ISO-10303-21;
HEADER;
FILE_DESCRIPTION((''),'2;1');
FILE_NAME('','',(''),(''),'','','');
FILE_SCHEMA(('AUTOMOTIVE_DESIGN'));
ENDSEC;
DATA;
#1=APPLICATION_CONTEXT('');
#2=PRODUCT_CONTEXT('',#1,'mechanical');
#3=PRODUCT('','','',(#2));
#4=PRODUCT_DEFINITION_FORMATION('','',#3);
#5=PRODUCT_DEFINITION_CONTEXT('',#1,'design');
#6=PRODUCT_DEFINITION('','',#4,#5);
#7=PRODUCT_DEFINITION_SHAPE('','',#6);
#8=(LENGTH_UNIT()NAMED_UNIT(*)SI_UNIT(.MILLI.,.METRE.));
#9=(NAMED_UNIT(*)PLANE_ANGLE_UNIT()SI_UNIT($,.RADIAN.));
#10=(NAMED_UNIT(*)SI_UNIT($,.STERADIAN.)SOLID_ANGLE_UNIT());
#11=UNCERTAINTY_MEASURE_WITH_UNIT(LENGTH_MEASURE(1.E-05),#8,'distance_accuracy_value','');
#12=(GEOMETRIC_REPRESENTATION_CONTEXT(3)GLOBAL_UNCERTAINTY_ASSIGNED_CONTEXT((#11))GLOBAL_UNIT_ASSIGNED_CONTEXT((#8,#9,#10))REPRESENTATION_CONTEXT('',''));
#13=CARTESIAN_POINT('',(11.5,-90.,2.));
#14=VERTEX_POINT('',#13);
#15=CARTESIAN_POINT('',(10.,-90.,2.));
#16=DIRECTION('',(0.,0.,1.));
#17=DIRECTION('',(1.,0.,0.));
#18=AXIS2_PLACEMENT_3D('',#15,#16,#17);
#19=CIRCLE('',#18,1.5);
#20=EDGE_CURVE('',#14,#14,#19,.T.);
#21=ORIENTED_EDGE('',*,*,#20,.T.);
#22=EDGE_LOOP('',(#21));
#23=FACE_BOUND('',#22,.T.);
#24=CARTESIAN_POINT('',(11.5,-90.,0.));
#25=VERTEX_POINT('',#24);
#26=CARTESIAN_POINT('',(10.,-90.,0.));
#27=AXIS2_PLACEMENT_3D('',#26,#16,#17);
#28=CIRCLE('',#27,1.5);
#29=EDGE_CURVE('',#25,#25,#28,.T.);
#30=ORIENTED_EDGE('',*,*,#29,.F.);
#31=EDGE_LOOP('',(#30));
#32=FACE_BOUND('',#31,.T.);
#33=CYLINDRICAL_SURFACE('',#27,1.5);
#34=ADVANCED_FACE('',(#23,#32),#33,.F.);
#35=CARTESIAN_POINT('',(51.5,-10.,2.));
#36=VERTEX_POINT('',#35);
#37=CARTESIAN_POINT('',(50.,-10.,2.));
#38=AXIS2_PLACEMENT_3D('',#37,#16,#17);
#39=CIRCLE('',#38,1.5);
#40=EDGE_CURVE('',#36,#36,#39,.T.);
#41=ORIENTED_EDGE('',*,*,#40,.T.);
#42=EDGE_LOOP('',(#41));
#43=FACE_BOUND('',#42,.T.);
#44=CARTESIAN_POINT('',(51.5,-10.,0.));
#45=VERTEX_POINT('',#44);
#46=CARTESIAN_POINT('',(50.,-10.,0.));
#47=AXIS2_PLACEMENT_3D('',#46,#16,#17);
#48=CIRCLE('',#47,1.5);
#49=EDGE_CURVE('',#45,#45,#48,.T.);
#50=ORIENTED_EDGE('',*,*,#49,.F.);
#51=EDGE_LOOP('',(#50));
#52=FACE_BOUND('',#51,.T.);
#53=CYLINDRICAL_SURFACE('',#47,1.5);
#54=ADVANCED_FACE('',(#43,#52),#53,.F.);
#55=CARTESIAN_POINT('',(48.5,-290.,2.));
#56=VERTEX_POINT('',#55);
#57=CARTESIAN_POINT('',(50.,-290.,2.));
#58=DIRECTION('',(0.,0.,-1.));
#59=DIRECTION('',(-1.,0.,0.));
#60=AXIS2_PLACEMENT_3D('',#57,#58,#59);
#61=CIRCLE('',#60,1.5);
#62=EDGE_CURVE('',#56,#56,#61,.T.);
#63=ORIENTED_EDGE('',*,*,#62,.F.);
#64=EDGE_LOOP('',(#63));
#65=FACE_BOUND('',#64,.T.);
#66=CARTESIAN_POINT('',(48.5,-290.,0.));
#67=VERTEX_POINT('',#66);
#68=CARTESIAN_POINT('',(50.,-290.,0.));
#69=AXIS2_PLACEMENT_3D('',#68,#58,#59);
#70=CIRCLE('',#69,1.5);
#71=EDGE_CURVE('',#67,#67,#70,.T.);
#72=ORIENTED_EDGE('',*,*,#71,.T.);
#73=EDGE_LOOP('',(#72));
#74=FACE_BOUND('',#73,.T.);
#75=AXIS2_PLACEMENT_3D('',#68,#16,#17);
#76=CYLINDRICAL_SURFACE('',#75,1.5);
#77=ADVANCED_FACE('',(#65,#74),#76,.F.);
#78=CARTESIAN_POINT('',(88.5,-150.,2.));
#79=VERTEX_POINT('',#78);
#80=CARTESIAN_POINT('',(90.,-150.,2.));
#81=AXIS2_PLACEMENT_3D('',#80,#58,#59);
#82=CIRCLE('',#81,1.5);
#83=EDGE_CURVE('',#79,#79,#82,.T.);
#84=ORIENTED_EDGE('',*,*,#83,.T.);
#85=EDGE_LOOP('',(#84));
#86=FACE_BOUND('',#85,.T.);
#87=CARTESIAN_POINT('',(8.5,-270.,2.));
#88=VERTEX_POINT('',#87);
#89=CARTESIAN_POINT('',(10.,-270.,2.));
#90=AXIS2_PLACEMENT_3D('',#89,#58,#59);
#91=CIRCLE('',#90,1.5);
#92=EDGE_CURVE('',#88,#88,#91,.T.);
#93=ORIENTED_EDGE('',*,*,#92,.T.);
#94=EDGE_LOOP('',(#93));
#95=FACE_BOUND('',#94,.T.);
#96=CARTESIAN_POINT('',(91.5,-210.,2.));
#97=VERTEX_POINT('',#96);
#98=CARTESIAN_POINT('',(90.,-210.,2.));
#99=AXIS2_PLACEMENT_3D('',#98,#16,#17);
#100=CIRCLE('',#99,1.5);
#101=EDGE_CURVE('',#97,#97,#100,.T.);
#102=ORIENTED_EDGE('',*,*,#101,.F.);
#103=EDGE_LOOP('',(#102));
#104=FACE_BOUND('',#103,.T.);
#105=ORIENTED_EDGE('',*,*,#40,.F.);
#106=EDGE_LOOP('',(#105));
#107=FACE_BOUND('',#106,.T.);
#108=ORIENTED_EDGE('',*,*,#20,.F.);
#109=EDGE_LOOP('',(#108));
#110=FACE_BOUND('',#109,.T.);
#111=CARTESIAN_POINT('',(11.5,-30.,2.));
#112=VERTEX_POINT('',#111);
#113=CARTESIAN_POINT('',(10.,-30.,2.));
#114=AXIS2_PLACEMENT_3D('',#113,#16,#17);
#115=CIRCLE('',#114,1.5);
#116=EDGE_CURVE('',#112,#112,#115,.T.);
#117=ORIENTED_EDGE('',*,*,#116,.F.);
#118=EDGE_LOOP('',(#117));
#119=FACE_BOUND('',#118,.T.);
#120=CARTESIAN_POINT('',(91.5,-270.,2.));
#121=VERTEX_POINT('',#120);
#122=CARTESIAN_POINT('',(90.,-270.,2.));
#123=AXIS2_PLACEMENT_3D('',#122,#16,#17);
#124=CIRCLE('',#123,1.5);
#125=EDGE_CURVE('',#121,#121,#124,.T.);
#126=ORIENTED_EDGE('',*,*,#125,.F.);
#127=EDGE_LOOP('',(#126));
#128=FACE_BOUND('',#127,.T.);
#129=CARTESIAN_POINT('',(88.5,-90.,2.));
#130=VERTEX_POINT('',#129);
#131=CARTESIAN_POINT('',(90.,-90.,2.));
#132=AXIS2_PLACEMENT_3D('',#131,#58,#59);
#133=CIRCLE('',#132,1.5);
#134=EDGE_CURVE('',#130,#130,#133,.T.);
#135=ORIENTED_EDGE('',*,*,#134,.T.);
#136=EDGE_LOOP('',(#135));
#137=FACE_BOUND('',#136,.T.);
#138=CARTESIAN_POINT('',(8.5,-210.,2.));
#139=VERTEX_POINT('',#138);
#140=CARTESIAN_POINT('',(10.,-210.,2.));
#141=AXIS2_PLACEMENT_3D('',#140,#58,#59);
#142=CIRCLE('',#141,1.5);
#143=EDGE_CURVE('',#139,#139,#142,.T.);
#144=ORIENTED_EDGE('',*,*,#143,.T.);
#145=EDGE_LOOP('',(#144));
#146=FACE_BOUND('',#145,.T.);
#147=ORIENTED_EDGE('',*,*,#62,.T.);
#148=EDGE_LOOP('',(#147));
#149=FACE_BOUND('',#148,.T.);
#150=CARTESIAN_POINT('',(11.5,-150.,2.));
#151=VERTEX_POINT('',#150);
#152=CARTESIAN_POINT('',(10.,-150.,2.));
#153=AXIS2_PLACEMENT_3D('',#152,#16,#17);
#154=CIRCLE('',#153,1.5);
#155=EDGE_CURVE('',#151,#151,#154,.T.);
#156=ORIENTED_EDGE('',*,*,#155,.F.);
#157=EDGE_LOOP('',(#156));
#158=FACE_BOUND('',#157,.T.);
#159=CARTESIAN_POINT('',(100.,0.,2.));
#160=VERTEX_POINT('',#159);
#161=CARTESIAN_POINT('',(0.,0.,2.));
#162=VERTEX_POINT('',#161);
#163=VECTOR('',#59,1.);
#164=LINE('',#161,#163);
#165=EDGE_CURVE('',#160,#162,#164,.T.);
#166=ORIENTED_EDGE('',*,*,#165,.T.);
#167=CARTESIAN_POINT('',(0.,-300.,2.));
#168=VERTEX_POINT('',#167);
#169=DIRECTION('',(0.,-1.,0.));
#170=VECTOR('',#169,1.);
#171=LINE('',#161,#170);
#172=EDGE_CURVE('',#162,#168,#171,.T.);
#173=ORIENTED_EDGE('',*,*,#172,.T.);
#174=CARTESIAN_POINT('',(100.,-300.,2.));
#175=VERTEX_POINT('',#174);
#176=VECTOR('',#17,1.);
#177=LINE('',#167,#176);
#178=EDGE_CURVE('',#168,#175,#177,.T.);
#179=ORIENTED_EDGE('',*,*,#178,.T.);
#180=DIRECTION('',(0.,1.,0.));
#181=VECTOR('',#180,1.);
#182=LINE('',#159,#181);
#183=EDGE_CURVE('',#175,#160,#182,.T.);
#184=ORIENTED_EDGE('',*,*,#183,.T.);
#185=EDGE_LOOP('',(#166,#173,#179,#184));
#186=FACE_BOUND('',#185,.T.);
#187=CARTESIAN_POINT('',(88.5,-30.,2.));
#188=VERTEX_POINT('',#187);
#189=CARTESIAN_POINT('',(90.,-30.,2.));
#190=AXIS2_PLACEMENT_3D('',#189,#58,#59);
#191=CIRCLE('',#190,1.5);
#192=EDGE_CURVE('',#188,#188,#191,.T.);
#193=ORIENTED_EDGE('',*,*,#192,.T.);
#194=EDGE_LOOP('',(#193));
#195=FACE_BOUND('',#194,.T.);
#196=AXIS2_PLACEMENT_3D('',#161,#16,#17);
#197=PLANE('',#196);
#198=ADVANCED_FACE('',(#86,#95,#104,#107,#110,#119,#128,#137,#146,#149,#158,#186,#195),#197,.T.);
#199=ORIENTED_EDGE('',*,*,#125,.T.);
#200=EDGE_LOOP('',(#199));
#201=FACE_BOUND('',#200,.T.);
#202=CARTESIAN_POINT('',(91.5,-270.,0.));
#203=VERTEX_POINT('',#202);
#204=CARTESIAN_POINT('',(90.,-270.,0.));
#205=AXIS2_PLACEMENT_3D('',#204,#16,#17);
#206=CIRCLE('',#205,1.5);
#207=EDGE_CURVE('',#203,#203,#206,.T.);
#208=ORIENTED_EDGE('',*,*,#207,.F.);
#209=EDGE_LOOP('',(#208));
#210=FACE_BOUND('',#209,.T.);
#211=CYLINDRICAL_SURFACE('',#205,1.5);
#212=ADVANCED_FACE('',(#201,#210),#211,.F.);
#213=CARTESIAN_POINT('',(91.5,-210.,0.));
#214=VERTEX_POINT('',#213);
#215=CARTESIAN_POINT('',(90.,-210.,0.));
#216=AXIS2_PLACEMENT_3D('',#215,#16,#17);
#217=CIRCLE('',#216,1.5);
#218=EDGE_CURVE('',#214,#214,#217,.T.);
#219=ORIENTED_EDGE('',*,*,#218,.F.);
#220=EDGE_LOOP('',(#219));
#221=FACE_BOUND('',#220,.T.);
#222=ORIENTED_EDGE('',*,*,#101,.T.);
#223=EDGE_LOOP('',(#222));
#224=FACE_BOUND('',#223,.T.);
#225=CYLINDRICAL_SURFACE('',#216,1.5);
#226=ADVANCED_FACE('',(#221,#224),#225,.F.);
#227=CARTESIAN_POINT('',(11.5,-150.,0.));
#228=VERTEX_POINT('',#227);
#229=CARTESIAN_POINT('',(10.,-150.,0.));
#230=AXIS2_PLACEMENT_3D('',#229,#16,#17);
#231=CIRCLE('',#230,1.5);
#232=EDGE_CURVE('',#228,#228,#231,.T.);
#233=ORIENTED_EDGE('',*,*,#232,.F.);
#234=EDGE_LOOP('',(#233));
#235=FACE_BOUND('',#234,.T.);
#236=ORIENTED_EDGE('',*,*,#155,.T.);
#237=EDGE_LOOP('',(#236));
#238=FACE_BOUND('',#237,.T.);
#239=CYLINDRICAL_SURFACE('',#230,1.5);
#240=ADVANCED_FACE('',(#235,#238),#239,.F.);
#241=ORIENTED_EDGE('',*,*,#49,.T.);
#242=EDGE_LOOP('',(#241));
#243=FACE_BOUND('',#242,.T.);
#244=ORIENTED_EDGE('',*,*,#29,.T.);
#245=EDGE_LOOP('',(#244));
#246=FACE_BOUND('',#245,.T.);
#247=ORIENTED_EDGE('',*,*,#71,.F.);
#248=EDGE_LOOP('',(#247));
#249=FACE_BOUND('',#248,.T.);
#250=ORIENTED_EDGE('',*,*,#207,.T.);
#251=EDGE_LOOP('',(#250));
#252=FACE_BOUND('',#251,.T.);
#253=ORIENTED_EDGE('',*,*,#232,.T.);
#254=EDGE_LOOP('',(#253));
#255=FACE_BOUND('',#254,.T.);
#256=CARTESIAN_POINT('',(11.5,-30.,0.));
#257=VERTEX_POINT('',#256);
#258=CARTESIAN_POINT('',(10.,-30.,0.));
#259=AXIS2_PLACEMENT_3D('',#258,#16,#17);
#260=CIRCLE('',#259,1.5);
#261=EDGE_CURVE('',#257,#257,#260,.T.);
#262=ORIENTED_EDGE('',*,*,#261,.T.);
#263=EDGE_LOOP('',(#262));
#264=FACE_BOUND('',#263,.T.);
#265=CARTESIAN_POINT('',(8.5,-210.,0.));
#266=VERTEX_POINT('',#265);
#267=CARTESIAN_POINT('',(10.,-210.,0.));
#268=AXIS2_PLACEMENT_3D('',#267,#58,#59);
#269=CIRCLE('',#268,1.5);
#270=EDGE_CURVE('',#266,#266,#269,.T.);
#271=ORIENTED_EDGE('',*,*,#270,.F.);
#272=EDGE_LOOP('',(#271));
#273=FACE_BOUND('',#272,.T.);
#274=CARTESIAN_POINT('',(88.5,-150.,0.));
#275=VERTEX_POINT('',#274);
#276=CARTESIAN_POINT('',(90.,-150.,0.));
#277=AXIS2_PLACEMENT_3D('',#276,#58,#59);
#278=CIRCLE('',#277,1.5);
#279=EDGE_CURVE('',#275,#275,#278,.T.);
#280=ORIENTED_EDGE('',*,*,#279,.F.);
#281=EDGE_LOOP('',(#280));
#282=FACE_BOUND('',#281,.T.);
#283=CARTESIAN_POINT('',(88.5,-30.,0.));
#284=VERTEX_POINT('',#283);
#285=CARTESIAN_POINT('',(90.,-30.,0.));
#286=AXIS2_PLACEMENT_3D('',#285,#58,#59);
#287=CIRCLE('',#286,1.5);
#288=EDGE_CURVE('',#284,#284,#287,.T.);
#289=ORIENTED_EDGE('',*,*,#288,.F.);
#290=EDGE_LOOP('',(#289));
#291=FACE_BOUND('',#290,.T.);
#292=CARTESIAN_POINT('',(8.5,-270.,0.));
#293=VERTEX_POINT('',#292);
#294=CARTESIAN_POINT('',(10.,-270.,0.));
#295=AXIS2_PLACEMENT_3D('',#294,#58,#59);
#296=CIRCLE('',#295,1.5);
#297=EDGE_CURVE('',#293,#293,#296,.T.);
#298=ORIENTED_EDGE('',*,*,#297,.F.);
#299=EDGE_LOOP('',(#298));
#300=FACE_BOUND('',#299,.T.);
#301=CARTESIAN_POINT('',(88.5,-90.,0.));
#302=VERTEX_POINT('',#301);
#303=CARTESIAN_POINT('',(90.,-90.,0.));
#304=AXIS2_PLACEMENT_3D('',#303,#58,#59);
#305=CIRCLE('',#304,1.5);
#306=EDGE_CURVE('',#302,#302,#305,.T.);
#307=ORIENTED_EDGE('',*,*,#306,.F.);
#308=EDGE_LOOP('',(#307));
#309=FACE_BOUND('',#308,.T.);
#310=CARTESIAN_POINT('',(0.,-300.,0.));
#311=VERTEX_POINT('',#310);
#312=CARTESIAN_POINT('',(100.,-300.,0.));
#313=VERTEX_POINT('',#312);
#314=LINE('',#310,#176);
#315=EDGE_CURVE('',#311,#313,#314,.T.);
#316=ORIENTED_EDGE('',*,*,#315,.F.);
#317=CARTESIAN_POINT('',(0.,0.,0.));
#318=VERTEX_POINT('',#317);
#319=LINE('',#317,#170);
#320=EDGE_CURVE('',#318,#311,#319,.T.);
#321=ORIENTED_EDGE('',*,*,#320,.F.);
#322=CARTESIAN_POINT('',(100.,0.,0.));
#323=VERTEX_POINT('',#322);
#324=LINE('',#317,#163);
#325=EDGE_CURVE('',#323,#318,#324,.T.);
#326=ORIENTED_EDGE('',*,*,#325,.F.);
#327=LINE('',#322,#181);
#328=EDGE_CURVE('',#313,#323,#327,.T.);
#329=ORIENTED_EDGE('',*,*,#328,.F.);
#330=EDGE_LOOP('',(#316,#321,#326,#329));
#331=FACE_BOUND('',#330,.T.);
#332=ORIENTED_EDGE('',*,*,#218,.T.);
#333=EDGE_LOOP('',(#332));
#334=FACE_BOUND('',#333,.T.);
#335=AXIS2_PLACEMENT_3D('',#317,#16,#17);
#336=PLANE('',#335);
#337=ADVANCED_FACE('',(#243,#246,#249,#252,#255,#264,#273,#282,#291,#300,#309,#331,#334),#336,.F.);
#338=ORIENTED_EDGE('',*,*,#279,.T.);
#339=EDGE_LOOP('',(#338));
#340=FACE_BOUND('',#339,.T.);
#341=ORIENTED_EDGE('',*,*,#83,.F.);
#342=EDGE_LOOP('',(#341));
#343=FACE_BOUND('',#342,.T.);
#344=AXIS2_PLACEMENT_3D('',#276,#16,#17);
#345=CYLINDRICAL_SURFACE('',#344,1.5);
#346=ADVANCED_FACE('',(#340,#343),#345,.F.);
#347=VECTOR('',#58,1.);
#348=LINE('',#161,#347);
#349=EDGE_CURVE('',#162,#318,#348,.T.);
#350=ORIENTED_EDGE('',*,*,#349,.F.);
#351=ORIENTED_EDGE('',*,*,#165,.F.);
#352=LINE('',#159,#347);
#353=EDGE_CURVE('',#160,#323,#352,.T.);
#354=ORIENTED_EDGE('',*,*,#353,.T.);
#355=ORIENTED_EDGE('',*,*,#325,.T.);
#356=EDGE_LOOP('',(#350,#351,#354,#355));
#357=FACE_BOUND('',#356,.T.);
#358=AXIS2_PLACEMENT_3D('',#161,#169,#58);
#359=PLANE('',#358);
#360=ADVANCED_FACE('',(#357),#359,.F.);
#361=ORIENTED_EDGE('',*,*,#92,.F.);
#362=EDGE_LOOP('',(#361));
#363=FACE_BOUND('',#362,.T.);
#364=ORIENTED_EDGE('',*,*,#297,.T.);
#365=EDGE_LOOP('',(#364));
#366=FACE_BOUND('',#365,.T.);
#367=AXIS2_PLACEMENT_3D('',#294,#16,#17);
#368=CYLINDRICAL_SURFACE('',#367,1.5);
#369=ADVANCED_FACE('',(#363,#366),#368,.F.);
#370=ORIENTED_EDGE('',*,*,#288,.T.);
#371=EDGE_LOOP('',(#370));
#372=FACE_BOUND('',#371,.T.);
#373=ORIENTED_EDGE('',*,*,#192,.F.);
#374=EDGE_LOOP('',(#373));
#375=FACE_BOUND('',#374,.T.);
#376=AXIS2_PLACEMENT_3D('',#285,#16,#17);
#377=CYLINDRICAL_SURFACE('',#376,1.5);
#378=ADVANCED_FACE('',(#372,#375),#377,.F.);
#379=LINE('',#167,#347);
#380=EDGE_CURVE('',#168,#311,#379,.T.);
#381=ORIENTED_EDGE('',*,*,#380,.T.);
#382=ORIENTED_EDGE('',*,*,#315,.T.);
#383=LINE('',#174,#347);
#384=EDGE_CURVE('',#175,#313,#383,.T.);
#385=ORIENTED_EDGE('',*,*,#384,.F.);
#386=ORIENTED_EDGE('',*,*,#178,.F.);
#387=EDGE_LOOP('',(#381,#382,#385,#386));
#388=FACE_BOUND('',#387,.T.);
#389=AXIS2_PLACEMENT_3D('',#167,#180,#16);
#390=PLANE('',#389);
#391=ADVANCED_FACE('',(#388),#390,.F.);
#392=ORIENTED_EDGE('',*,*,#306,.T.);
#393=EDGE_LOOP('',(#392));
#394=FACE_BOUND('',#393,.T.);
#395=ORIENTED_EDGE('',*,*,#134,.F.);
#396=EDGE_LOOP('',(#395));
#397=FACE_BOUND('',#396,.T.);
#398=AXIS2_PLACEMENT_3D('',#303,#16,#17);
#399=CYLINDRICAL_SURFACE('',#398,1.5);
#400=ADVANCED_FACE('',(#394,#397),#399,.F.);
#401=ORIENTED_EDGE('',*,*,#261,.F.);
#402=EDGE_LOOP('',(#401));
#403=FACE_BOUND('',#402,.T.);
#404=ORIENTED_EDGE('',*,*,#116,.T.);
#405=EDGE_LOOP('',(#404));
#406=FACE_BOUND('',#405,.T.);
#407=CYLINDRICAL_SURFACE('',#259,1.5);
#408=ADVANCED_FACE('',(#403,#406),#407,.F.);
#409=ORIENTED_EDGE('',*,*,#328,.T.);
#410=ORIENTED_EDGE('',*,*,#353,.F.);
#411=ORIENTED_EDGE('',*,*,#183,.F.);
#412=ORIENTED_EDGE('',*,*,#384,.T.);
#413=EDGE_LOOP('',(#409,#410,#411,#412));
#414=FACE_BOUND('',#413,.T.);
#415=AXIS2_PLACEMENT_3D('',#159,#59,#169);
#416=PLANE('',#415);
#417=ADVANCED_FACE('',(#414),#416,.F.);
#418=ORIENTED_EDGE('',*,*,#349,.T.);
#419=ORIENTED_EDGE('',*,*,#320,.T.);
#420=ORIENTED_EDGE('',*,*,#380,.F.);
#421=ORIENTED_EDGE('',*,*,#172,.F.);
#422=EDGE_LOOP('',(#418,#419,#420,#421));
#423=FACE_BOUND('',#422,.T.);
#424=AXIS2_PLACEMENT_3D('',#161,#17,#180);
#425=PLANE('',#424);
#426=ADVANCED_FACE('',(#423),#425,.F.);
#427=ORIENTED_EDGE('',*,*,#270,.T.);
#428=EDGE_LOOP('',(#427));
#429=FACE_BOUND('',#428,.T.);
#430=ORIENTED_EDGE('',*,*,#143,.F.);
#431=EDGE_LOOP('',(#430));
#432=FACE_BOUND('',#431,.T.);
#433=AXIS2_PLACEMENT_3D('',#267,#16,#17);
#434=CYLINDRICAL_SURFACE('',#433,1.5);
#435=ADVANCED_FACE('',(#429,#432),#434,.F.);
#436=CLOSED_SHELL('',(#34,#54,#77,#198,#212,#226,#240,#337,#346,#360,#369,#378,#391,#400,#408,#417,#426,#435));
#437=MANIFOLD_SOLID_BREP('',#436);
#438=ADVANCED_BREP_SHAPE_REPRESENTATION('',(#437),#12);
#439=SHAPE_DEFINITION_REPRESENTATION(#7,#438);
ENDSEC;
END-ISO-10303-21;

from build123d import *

# Parameters (mm, degrees)
SKETCH1_W           = 100
SKETCH1_H           = 300
BOSS_EXTRUDE1_DEPTH = 2
SKETCH3_R           = 1.5
CUT_EXTRUDE1_DEPTH  = 317.234090509


with BuildPart() as part:
    # Sketch1 → Boss-Extrude1 (new body)
    with BuildSketch(Plane.XY):
        with Locations((50, -150)):
            Rectangle(SKETCH1_W, SKETCH1_H)
    extrude(amount=BOSS_EXTRUDE1_DEPTH)

    # Sketch3 → Cut-Extrude1 (cut, through all)
    with BuildSketch(Plane.XY.offset(2)):
        with Locations((10, -30)):
            Circle(SKETCH3_R)
        with Locations((10, -90)):
            Circle(SKETCH3_R)
        with Locations((10, -150)):
            Circle(SKETCH3_R)
        with Locations(Location((10, -210, 0), (0, 0, 180))):
            Circle(SKETCH3_R)
        with Locations(Location((10, -270, 0), (0, 0, 180))):
            Circle(SKETCH3_R)
        with Locations(Location((90, -150, 0), (0, 0, 180))):
            Circle(SKETCH3_R)
        with Locations(Location((90, -90, 0), (0, 0, 180))):
            Circle(SKETCH3_R)
        with Locations(Location((90, -30, 0), (0, 0, 180))):
            Circle(SKETCH3_R)
        with Locations((90, -270)):
            Circle(SKETCH3_R)
        with Locations((90, -210)):
            Circle(SKETCH3_R)
        with Locations((50, -10)):
            Circle(SKETCH3_R)
        with Locations(Location((50, -290, 0), (0, 0, 180))):
            Circle(SKETCH3_R)
    extrude(amount=-CUT_EXTRUDE1_DEPTH, mode=Mode.SUBTRACT)


solid = part.part
